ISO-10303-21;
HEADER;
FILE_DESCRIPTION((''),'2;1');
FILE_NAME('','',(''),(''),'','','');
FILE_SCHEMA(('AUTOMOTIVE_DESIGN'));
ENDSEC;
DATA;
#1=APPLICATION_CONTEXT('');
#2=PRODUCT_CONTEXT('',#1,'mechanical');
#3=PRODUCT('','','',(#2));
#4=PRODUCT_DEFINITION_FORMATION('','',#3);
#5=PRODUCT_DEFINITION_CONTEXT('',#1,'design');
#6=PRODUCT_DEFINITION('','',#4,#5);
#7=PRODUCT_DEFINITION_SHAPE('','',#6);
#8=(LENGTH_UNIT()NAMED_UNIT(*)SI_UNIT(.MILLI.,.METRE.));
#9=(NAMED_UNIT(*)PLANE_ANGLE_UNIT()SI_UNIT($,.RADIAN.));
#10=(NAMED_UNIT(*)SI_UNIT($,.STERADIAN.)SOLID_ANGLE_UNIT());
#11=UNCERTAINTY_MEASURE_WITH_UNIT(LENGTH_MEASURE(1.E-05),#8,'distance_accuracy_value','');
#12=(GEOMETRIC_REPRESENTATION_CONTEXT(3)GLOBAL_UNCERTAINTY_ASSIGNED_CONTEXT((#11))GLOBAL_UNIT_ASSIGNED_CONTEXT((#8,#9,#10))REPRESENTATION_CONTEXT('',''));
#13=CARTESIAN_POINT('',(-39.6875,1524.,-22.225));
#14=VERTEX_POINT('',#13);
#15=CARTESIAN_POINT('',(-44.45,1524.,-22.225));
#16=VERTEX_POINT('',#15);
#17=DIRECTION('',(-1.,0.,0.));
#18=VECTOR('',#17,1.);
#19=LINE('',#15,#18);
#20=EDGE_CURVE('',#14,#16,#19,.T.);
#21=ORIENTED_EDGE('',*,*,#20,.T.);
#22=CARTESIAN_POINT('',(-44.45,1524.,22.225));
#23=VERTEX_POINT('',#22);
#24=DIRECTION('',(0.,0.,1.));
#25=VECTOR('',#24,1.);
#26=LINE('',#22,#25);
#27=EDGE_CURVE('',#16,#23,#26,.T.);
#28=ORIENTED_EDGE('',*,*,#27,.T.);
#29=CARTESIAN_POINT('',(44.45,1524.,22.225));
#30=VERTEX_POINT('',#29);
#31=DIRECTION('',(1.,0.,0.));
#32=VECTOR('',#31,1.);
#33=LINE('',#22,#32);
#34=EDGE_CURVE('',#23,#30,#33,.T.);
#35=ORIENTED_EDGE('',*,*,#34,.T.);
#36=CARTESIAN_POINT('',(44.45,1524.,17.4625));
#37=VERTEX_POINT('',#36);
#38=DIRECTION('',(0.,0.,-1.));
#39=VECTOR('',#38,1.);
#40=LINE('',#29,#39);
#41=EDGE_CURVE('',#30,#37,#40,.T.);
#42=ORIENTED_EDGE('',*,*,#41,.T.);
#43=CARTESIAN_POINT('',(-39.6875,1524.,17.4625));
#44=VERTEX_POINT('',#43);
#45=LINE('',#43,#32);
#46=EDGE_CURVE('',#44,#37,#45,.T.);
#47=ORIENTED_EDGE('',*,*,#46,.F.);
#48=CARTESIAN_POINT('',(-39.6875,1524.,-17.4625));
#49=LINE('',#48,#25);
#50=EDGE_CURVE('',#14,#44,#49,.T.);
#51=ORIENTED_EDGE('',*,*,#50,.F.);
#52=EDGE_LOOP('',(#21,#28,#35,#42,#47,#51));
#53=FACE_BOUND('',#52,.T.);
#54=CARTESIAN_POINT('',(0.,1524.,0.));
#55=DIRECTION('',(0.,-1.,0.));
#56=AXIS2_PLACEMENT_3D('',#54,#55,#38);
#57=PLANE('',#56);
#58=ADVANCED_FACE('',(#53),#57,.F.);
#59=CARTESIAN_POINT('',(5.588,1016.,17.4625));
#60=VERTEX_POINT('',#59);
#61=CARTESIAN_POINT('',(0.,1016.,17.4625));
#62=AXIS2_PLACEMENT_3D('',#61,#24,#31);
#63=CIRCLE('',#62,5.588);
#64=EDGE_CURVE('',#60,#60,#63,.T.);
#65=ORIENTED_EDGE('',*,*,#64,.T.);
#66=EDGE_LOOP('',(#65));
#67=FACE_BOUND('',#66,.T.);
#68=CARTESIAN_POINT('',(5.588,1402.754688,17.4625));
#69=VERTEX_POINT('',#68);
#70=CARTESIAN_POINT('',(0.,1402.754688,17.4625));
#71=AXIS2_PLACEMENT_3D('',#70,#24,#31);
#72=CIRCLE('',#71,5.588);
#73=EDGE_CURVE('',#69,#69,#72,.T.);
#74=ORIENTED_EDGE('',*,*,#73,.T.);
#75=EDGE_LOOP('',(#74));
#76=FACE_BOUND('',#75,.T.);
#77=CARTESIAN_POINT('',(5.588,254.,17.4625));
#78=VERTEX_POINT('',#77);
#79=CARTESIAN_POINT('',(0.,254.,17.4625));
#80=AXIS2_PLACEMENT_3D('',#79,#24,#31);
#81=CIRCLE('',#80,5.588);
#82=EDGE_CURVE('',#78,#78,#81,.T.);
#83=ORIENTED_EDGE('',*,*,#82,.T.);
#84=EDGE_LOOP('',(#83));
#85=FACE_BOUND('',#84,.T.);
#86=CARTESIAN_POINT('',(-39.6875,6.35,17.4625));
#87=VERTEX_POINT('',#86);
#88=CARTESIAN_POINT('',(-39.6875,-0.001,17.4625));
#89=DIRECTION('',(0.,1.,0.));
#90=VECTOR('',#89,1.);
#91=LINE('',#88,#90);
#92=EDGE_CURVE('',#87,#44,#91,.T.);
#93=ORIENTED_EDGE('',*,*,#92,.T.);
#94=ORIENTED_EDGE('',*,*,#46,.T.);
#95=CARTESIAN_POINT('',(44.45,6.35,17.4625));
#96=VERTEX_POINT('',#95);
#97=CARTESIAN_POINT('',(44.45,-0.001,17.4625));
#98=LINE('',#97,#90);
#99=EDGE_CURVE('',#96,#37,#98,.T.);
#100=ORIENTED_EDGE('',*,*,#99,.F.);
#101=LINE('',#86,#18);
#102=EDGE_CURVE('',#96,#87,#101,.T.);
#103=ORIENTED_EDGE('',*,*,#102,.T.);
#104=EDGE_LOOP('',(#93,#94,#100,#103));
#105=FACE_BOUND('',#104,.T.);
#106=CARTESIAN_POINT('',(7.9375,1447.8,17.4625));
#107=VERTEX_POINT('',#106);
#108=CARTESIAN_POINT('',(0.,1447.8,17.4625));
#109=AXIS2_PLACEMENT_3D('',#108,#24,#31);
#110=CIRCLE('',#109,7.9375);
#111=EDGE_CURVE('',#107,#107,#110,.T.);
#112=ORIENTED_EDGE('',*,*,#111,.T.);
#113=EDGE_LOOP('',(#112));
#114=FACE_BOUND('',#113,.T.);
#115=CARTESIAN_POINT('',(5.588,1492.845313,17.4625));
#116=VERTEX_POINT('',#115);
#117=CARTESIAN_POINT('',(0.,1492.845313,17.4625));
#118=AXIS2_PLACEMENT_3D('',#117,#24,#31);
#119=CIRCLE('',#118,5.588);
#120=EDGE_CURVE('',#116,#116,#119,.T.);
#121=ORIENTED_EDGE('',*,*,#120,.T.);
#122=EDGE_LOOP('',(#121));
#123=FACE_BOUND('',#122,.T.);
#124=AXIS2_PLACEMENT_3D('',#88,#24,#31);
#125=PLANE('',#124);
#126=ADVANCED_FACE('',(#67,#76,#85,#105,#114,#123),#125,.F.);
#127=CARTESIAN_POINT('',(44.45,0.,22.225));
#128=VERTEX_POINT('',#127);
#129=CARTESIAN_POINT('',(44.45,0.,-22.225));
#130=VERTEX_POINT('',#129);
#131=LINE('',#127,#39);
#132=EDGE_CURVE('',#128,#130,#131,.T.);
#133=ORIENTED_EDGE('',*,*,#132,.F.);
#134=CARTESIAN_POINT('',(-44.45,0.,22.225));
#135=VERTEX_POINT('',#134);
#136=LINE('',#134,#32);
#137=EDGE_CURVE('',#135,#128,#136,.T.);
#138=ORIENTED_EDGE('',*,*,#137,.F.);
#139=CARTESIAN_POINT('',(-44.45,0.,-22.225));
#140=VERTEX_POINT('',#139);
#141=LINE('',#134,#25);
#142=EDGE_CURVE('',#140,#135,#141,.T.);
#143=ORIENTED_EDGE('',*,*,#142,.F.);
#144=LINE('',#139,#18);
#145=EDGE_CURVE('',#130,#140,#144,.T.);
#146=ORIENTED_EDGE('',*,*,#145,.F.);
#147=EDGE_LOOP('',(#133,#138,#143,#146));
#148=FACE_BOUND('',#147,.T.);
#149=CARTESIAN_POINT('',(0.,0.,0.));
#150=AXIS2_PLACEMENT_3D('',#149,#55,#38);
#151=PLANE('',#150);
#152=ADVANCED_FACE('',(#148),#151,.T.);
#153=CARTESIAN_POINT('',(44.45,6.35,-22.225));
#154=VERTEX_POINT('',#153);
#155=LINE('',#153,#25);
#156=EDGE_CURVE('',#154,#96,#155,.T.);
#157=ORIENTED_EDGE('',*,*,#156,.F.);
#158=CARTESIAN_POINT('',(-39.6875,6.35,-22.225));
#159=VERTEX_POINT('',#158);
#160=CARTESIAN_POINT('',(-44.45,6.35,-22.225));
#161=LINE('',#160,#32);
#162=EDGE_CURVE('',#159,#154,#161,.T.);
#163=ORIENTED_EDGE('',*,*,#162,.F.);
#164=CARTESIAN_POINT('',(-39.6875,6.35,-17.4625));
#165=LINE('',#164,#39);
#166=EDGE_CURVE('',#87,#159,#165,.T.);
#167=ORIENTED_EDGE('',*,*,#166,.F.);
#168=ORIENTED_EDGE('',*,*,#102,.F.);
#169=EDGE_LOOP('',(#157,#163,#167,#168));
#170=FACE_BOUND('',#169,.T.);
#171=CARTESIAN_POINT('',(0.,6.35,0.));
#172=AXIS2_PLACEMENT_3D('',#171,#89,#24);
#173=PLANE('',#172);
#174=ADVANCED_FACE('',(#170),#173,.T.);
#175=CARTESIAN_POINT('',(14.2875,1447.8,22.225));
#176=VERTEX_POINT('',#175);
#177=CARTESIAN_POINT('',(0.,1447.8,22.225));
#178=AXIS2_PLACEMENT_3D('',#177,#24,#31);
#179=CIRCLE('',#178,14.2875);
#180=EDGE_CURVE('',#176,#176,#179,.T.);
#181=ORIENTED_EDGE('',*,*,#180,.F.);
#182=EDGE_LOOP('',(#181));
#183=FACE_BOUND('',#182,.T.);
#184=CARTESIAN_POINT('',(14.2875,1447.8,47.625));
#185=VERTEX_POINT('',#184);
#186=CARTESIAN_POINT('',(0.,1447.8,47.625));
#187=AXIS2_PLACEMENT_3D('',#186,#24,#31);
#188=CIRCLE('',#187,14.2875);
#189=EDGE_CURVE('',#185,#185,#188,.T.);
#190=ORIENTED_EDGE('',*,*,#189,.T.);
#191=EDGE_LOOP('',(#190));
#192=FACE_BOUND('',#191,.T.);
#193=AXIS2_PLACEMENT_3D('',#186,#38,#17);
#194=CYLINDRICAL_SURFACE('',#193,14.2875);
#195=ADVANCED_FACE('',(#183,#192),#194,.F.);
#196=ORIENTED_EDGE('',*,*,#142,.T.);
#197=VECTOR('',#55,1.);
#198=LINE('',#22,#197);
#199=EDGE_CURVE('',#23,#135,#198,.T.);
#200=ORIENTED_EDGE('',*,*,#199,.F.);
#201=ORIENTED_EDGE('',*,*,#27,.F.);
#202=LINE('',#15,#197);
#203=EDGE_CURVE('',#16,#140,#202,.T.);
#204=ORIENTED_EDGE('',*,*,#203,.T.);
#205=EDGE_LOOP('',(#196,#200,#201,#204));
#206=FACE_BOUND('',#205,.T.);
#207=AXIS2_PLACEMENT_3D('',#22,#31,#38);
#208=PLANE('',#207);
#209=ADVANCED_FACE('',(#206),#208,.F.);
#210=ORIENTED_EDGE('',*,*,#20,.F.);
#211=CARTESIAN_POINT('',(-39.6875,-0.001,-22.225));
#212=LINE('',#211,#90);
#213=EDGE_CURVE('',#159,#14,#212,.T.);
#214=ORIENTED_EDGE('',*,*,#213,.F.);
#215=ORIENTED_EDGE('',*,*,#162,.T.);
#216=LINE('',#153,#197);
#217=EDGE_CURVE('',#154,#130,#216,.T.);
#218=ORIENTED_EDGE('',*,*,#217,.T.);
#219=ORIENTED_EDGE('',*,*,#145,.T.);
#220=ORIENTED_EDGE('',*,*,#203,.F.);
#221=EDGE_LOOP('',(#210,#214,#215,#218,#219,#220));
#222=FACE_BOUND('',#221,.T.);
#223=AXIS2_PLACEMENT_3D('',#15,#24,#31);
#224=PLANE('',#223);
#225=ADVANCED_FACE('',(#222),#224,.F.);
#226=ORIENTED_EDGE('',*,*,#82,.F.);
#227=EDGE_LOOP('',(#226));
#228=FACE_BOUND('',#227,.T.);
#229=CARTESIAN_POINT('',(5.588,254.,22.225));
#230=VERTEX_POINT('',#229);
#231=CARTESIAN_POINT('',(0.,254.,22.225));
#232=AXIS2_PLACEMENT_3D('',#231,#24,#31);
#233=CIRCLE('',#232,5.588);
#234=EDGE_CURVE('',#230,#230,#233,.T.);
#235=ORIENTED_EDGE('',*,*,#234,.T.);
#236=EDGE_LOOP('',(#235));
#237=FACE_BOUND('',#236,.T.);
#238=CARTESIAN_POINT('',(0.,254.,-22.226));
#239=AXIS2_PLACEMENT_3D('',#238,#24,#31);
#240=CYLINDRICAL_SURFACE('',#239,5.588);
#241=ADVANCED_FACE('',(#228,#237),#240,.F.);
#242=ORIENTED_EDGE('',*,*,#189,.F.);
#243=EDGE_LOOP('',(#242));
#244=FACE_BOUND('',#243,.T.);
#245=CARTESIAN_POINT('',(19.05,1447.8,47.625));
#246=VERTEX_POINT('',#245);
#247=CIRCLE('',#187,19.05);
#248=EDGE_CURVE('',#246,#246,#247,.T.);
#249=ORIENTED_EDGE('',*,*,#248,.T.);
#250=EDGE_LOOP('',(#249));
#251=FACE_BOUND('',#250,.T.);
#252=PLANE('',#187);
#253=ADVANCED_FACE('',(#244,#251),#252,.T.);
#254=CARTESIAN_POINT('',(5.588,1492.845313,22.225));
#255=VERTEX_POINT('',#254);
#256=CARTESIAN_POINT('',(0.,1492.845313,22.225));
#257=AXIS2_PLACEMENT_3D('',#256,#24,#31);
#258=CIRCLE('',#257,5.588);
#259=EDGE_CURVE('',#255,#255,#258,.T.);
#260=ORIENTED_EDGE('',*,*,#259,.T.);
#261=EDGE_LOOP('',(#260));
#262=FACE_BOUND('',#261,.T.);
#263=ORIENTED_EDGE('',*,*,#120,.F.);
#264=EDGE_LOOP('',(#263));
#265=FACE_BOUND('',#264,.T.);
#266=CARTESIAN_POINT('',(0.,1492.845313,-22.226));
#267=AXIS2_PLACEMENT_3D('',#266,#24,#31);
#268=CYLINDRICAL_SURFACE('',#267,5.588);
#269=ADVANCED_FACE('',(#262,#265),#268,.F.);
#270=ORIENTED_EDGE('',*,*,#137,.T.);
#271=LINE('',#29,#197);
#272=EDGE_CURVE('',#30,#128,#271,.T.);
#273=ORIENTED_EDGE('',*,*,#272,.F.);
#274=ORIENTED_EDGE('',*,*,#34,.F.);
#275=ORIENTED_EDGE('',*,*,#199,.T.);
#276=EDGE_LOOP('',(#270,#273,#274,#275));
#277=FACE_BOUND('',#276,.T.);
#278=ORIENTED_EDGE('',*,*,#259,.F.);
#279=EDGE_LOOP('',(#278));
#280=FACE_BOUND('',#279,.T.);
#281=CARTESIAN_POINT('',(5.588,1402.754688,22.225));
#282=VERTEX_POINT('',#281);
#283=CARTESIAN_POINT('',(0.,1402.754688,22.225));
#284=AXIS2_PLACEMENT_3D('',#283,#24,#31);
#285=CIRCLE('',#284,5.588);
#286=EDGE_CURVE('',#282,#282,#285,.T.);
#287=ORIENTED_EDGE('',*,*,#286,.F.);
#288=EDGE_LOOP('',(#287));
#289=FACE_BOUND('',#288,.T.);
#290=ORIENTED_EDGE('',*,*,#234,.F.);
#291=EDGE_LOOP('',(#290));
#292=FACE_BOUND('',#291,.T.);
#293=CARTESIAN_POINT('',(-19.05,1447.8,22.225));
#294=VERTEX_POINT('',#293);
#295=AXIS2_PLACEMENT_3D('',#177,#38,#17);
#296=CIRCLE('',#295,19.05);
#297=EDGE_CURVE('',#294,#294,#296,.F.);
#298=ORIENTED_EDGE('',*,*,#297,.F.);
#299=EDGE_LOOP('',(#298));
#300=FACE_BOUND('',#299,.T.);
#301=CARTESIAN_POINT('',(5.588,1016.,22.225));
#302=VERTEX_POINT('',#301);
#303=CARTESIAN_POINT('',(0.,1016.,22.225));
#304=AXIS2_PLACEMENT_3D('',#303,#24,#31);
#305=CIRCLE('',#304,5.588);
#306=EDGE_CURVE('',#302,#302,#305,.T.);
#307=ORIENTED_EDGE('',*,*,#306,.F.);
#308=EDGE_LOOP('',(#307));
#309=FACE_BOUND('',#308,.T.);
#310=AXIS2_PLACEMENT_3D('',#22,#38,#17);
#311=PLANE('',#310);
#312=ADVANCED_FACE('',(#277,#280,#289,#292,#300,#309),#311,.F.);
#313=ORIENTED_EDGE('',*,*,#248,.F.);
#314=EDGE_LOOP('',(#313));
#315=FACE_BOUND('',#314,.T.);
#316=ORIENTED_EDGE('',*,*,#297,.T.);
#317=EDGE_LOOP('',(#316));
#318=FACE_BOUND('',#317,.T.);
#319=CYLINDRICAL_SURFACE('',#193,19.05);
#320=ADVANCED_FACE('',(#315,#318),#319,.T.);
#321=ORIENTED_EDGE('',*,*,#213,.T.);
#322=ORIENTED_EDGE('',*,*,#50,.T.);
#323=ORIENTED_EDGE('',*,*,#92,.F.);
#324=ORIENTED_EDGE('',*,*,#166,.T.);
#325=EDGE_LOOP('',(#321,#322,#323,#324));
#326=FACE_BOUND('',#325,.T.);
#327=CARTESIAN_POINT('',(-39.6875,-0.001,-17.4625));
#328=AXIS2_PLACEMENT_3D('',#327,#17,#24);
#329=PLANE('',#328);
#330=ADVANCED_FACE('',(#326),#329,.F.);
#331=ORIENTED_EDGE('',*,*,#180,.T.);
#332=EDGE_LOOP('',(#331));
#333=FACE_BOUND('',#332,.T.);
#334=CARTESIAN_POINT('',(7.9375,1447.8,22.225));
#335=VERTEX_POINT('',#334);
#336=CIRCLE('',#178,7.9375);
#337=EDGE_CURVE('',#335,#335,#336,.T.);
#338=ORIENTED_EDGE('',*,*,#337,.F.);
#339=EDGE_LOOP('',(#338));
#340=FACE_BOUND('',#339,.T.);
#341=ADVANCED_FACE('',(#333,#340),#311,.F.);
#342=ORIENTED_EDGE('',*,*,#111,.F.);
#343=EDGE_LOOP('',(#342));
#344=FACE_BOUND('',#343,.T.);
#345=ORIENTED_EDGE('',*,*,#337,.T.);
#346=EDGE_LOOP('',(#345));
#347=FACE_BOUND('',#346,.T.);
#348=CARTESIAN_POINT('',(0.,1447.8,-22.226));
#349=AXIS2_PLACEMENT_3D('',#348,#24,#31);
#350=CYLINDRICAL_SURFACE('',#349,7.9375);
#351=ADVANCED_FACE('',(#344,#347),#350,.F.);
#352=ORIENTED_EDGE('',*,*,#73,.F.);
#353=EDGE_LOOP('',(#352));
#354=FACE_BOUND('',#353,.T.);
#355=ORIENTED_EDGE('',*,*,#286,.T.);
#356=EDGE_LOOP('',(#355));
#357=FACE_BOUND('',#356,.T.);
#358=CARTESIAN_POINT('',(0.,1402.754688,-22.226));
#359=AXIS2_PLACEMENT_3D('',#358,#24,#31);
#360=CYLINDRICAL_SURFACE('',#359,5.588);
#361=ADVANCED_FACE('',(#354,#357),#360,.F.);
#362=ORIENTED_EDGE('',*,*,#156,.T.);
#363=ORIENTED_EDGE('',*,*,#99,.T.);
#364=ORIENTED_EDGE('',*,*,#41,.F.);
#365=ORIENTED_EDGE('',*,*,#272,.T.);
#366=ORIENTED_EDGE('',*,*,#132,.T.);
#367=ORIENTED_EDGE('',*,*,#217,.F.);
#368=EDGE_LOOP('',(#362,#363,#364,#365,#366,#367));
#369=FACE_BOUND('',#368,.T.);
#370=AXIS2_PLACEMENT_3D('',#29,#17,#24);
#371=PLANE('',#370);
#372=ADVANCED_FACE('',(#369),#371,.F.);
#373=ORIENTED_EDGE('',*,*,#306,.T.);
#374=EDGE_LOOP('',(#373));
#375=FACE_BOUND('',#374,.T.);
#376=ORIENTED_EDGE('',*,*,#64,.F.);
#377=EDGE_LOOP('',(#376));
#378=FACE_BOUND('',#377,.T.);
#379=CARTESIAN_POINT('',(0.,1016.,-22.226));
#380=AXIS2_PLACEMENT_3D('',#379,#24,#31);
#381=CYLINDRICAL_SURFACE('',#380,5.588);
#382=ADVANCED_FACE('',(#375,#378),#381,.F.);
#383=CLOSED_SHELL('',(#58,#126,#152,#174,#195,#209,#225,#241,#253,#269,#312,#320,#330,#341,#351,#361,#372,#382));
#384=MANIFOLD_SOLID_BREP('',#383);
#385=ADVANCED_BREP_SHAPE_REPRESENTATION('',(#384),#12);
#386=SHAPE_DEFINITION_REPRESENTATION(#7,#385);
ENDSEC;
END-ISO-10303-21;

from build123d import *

# Parameters (mm, degrees)
SKETCH1_W           = 88.9
SKETCH1_H           = 44.45
BOSS_EXTRUDE1_DEPTH = 1524
CUT_EXTRUDE1_REACH  = 1527.296
SKETCH2_R           = 7.9375
SKETCH2_R_2         = 5.588
SKETCH4_R           = 19.05
SKETCH4_R_2         = 14.2875
BOSS_EXTRUDE2_DEPTH = 25.4
CUT_EXTRUDE3_REACH  = 1527.392
SKETCH7_W           = 88.9
SKETCH7_H           = 44.45
BOSS_EXTRUDE3_DEPTH = 6.35


with BuildPart() as part:
    # Sketch1 → Boss-Extrude1 (new body)
    with BuildSketch(Plane(origin=(0, 0, 0), x_dir=(1, 0, 0), z_dir=(0, 1, 0))):
        Rectangle(SKETCH1_W, SKETCH1_H)
    extrude(amount=BOSS_EXTRUDE1_DEPTH)

    # Sketch2 → Cut-Extrude1 (cut, up to next)
    with BuildSketch(Plane.XY.offset(22.225), mode=Mode.PRIVATE) as cut_extrude1_sk1:
        with Locations((0, 1447.8)):
            Circle(SKETCH2_R)
    cut_extrude1_tool1 = extrude(cut_extrude1_sk1.sketch, amount=-CUT_EXTRUDE1_REACH, mode=Mode.PRIVATE) & part.part
    # Sketch2 → Cut-Extrude1 (cut, up to next)
    with BuildSketch(Plane.XY.offset(22.225), mode=Mode.PRIVATE) as cut_extrude1_sk2:
        with Locations((0, 1016)):
            Circle(SKETCH2_R_2)
    cut_extrude1_tool2 = extrude(cut_extrude1_sk2.sketch, amount=-CUT_EXTRUDE1_REACH, mode=Mode.PRIVATE) & part.part
    # Sketch2 → Cut-Extrude1 (cut, up to next)
    with BuildSketch(Plane.XY.offset(22.225), mode=Mode.PRIVATE) as cut_extrude1_sk3:
        with Locations((0, 254)):
            Circle(SKETCH2_R_2)
    cut_extrude1_tool3 = extrude(cut_extrude1_sk3.sketch, amount=-CUT_EXTRUDE1_REACH, mode=Mode.PRIVATE) & part.part
    # Sketch2 → Cut-Extrude1 (cut, up to next)
    with BuildSketch(Plane.XY.offset(22.225), mode=Mode.PRIVATE) as cut_extrude1_sk4:
        with Locations((0, 1492.8453125)):
            Circle(SKETCH2_R_2)
    cut_extrude1_tool4 = extrude(cut_extrude1_sk4.sketch, amount=-CUT_EXTRUDE1_REACH, mode=Mode.PRIVATE) & part.part
    # Sketch2 → Cut-Extrude1 (cut, up to next)
    with BuildSketch(Plane.XY.offset(22.225), mode=Mode.PRIVATE) as cut_extrude1_sk5:
        with Locations((0, 1402.7546875)):
            Circle(SKETCH2_R_2)
    cut_extrude1_tool5 = extrude(cut_extrude1_sk5.sketch, amount=-CUT_EXTRUDE1_REACH, mode=Mode.PRIVATE) & part.part
    add(cut_extrude1_tool1.solids().sort_by_distance((0, 1447.8, 22.225))[0], mode=Mode.SUBTRACT)
    add(cut_extrude1_tool2.solids().sort_by_distance((0, 1016, 22.225))[0], mode=Mode.SUBTRACT)
    add(cut_extrude1_tool3.solids().sort_by_distance((0, 254, 22.225))[0], mode=Mode.SUBTRACT)
    add(cut_extrude1_tool4.solids().sort_by_distance((0, 1492.845313, 22.225))[0], mode=Mode.SUBTRACT)
    add(cut_extrude1_tool5.solids().sort_by_distance((0, 1402.754687, 22.225))[0], mode=Mode.SUBTRACT)

    # Sketch4 → Boss-Extrude2 (add)
    with BuildSketch(Plane.XY.offset(22.225)):
        with Locations(Location((0, 1447.8, 0), (0, 0, 180))):
            Circle(SKETCH4_R)
        with Locations((0, 1447.8)):
            Circle(SKETCH4_R_2, mode=Mode.SUBTRACT)
    extrude(amount=BOSS_EXTRUDE2_DEPTH)

    # Sketch5 → Cut-Extrude3 (cut, up to next)
    with BuildSketch(Plane(origin=(0, 1524, 0), x_dir=(1, 0, 0), z_dir=(0, 1, 0)), mode=Mode.PRIVATE) as cut_extrude3_sk1:
        Polygon((-39.6875, 17.4625), (-39.6875, 22.225), (44.45, 22.225), (44.45, -17.4625), (39.6875, -17.4625), (-39.6875, -17.4625), align=None)
    cut_extrude3_tool1 = extrude(cut_extrude3_sk1.sketch, amount=-CUT_EXTRUDE3_REACH, mode=Mode.PRIVATE) & part.part
    add(cut_extrude3_tool1.solids().sort_by_distance((2.38125, 1524, -2.38125))[0], mode=Mode.SUBTRACT)

    # Sketch7 → Boss-Extrude3 (add)
    with BuildSketch(Plane.XZ):
        Rectangle(SKETCH7_W, SKETCH7_H)
    extrude(amount=-BOSS_EXTRUDE3_DEPTH)


solid = part.part
